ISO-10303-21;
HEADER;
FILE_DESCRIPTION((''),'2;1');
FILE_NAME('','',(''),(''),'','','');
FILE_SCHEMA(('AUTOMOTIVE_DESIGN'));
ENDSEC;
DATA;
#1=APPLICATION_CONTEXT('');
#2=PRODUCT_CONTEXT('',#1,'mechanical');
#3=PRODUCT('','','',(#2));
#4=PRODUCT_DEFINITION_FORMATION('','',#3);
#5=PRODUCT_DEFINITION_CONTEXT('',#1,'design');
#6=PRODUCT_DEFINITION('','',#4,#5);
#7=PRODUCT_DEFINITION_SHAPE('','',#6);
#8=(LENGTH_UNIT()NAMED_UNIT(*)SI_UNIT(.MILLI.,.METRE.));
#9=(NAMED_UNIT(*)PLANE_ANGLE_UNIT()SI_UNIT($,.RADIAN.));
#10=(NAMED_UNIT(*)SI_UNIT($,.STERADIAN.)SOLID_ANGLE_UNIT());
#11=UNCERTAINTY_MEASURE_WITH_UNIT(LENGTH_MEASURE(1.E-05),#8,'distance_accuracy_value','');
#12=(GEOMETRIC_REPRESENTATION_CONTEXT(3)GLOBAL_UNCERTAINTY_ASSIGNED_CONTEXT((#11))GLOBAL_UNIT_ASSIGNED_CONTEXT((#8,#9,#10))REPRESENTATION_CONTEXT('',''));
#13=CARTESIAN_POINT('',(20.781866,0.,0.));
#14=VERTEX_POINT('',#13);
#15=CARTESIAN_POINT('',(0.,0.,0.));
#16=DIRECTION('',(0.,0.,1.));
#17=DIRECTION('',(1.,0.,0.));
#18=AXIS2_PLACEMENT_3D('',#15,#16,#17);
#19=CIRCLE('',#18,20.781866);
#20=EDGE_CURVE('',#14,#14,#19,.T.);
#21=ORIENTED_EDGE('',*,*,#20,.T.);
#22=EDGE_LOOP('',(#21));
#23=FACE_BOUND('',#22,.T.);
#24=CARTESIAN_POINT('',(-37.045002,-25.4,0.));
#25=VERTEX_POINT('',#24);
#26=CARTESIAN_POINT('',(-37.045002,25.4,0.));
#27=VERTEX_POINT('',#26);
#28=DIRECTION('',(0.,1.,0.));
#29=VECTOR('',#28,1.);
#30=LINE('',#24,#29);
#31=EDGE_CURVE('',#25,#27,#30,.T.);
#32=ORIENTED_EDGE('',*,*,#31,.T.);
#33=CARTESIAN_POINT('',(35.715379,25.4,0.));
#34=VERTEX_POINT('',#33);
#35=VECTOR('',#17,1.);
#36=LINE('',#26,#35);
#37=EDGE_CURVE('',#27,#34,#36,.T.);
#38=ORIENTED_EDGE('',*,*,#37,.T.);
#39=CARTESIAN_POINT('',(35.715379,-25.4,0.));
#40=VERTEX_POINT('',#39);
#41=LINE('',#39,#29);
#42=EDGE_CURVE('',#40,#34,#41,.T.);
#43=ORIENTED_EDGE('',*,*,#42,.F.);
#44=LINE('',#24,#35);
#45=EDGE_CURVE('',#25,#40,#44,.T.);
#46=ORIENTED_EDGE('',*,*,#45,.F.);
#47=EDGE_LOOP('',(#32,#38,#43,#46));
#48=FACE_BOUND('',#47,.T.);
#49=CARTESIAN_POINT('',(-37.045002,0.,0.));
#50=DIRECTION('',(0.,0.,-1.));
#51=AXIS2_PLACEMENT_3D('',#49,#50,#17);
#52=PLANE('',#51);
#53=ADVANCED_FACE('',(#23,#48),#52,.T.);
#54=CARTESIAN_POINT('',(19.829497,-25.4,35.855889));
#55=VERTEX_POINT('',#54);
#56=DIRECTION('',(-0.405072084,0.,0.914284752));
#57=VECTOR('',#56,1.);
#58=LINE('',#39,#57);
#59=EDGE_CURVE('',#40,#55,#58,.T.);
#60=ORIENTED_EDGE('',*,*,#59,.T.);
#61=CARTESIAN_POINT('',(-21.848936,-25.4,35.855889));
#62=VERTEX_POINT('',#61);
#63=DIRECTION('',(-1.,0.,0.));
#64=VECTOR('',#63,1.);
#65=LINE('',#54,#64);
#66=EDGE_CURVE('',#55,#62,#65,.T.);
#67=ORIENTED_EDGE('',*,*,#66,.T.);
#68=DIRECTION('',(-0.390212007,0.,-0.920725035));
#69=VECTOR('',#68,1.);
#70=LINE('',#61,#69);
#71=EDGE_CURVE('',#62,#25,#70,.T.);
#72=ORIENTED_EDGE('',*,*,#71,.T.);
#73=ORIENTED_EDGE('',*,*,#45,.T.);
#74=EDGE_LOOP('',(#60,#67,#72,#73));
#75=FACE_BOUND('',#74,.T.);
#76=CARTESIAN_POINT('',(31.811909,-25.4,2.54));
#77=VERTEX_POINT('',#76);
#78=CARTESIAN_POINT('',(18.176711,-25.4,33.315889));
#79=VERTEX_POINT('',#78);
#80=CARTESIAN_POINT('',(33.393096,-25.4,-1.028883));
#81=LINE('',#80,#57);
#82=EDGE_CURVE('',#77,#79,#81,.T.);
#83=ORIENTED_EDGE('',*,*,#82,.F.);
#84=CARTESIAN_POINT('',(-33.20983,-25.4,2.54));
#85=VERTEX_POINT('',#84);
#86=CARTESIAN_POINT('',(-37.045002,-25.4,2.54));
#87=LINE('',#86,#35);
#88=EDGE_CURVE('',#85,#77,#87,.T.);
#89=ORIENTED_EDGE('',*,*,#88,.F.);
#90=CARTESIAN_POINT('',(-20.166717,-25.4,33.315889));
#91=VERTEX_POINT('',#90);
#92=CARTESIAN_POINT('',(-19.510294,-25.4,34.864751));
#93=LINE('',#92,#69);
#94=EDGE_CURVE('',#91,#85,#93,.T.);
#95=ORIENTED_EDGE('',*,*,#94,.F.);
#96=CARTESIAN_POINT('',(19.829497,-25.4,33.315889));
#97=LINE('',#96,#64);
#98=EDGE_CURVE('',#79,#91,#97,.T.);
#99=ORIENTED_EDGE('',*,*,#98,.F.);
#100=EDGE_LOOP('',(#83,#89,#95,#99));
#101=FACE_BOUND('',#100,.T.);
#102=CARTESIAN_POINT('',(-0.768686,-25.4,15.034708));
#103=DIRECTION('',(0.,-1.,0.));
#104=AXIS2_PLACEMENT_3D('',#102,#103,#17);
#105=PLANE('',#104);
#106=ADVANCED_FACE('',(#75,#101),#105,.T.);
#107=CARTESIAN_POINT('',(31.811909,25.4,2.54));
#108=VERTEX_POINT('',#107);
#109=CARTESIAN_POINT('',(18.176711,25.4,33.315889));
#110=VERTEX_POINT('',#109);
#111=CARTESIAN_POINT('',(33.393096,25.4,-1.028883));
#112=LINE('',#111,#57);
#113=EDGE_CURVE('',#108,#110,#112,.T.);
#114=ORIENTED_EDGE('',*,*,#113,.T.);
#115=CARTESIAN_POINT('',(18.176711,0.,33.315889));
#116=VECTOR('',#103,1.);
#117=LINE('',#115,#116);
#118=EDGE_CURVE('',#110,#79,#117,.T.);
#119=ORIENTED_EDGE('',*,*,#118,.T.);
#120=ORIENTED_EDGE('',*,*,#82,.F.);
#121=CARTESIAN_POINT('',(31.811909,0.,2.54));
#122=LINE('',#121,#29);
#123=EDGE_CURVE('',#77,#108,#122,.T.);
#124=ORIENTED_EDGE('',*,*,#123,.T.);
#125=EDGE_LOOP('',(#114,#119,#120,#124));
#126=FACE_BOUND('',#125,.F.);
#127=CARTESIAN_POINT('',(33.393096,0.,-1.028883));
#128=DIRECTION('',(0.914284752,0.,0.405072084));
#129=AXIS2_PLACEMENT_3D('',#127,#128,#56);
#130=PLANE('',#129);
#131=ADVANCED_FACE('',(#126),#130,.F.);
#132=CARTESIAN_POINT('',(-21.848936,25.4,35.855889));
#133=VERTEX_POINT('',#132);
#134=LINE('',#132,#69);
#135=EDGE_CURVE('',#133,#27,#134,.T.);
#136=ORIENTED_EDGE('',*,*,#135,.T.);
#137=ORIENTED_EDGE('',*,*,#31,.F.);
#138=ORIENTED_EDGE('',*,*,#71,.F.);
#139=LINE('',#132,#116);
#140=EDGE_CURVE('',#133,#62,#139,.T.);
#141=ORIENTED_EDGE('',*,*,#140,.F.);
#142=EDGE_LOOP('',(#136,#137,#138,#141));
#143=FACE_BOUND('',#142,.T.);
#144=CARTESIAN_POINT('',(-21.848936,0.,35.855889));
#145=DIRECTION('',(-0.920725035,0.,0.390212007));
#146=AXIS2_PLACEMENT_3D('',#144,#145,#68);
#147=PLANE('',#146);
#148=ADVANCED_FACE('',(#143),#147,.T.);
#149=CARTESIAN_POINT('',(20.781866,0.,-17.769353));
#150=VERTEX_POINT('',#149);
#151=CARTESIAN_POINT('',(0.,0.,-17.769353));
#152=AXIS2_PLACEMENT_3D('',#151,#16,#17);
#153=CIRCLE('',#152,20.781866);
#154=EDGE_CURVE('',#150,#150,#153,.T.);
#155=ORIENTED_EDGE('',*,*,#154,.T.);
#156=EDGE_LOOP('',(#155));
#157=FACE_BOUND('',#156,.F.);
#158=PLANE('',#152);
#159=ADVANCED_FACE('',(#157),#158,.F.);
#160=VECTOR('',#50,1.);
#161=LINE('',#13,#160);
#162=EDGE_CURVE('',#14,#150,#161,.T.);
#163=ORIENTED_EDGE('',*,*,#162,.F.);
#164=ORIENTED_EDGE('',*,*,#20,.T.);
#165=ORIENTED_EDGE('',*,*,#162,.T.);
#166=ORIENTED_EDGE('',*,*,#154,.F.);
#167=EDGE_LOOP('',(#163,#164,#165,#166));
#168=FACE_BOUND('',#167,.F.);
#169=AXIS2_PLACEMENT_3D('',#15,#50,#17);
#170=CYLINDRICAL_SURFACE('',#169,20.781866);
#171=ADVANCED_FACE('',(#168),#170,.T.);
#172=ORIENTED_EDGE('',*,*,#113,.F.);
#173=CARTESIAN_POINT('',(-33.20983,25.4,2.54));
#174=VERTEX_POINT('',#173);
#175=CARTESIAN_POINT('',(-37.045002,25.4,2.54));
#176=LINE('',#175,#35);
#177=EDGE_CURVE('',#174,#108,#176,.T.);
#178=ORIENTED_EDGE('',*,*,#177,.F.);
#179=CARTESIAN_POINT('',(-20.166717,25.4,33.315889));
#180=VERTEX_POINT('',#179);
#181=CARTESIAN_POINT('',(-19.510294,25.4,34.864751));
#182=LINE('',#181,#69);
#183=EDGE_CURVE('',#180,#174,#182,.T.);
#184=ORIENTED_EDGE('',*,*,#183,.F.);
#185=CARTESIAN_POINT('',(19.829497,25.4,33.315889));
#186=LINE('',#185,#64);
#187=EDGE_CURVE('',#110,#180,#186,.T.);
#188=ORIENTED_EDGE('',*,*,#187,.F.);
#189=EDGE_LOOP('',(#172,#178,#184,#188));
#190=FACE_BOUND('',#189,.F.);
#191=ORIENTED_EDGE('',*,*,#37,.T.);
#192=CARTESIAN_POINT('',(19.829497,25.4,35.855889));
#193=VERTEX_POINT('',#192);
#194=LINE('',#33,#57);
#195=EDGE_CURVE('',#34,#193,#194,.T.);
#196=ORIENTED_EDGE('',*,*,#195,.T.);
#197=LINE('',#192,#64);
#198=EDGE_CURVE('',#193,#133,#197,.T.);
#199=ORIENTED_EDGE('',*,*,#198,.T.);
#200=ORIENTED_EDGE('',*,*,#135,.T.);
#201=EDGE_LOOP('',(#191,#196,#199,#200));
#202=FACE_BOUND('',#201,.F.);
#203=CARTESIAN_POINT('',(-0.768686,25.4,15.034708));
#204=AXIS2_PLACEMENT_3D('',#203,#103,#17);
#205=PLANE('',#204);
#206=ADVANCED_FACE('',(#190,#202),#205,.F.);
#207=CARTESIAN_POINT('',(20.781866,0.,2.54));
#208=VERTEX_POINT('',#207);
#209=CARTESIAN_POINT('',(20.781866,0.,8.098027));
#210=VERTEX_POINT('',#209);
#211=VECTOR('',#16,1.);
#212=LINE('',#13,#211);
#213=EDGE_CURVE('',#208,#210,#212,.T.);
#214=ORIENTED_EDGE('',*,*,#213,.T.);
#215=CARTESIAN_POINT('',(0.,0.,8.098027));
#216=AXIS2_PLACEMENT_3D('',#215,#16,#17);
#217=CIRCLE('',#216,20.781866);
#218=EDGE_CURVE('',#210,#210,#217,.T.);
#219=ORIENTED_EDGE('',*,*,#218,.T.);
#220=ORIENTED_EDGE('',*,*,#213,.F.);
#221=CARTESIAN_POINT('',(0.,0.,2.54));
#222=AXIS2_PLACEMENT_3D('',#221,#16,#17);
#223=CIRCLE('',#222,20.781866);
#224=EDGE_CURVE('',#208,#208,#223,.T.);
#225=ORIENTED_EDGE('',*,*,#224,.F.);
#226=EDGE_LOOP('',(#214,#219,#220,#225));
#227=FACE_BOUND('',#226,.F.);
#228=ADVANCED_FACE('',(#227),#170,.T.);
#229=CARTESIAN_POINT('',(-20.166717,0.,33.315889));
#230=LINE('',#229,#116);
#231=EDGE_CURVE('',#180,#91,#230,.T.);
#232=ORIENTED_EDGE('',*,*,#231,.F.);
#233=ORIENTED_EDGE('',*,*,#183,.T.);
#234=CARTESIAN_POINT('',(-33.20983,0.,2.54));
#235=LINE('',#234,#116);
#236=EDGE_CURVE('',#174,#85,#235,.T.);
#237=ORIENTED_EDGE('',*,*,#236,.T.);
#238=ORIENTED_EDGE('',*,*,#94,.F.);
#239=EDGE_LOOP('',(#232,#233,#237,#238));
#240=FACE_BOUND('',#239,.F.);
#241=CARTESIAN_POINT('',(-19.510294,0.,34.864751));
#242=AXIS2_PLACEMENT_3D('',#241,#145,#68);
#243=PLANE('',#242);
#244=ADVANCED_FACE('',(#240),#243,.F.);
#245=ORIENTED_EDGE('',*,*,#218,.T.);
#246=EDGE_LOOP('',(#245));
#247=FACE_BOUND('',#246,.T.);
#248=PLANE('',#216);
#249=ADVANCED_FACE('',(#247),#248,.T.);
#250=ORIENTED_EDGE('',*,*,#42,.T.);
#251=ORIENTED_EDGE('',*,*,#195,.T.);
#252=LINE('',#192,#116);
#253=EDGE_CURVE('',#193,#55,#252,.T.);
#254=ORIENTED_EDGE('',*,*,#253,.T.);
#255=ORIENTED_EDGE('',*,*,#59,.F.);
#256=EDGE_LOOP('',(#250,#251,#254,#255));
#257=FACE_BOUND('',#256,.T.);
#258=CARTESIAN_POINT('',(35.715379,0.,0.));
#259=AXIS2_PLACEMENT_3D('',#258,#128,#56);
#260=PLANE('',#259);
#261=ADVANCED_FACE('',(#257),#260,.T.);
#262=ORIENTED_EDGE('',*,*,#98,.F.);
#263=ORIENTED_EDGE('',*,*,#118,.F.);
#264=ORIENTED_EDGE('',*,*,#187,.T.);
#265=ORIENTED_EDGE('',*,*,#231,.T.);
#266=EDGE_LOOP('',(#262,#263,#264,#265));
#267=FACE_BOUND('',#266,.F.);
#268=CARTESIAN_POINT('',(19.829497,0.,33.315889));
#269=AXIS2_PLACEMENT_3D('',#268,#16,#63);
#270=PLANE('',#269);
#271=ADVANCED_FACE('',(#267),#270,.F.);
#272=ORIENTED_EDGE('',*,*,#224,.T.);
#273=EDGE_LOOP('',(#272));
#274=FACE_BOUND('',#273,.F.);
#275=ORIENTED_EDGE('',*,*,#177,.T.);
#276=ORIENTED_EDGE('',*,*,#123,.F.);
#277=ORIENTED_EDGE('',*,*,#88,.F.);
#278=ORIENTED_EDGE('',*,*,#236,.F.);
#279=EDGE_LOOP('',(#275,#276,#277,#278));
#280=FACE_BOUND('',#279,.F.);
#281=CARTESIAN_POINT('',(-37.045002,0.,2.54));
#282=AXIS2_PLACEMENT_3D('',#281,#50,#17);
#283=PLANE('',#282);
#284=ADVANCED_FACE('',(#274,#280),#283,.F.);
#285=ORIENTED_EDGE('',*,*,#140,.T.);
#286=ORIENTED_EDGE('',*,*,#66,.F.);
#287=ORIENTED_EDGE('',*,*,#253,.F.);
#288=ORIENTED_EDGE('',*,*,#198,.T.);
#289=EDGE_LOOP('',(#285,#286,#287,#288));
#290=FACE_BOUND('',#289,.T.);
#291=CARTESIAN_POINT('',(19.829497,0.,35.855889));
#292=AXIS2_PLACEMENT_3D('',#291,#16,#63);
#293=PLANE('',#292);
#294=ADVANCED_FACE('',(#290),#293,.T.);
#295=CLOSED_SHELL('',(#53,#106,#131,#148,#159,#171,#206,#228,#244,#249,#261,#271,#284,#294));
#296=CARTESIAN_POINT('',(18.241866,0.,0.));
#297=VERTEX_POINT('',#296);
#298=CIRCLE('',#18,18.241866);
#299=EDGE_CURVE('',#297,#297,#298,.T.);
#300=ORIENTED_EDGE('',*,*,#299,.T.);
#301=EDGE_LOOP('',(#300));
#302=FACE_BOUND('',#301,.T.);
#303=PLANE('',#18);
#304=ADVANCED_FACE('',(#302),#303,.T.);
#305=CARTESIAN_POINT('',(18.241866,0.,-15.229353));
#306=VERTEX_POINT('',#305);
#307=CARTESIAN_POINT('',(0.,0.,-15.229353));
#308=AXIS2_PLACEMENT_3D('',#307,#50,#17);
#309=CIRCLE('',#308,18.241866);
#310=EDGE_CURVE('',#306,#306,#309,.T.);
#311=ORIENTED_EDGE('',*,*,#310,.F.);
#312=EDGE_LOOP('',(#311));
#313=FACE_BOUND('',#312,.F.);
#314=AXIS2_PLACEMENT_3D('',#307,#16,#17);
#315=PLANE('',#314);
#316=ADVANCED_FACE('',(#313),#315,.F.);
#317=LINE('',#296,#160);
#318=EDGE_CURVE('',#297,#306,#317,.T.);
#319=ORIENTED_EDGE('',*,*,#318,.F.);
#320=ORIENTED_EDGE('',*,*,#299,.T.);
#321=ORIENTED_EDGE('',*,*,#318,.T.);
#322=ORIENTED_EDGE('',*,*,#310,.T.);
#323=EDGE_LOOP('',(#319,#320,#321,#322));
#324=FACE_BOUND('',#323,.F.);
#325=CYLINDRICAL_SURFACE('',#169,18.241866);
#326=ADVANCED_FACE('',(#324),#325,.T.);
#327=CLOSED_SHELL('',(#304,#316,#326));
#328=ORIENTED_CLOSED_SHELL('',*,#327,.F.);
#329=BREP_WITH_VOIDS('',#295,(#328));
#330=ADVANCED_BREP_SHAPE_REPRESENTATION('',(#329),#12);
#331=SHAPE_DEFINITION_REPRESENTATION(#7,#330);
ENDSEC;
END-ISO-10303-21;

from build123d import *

# Parameters (mm, degrees)
F1_DEPTH = 25.4
F2_R     = 20.781866
F3_DEPTH = 17.769353
F4_DEPTH = 11.559019
F5_DEPTH = 25.4
F6_T     = -2.54
F7_DEPTH = 8.098027


with BuildPart() as f1:
    # F0 (on Front) → F1 (new body)
    with BuildSketch(Plane.XZ):
        Polygon((35.715379, 0), (19.829497, 35.855889), (-21.848936, 35.855889), (-37.045002, 0), (0, 0), align=None)
    extrude(amount=F1_DEPTH)

    # F2 (on Top) → F3 (join)
    with BuildSketch(Plane.XY):
        Circle(F2_R)
    extrude(amount=-F3_DEPTH)

    # F3_face (on face) → F4 (join)
    with BuildSketch(Plane(origin=(0, 8.820098, 0), x_dir=(1, 0, 0), z_dir=(0, 0, 1))):
        with BuildLine():
            Line((-20.781866, -8.820098), (20.781866, -8.820098))
            ThreePointArc((20.781866, -8.820098), (0, 11.961768), (-20.781866, -8.820098))
        make_face()
    extrude(amount=F4_DEPTH)

    # F0 (on Front) → F5 (join)
    with BuildSketch(Plane.XZ):
        Polygon((35.715379, 0), (19.829497, 35.855889), (-21.848936, 35.855889), (-37.045002, 0), (0, 0), align=None)
    extrude(amount=-F5_DEPTH)

    # F6
    f6_openings = [f1.faces().sort_by_distance(p)[0] for p in [
        (-0.821653, -25.4, 16.304849),
        (-0.821653, 25.4, 16.304849),
    ]]
    offset(amount=F6_T, openings=f6_openings)

    # F2 (on Top) → F7 (join)
    with BuildSketch(Plane.XY):
        Circle(F2_R)
    extrude(amount=F7_DEPTH)


solid = f1.part
